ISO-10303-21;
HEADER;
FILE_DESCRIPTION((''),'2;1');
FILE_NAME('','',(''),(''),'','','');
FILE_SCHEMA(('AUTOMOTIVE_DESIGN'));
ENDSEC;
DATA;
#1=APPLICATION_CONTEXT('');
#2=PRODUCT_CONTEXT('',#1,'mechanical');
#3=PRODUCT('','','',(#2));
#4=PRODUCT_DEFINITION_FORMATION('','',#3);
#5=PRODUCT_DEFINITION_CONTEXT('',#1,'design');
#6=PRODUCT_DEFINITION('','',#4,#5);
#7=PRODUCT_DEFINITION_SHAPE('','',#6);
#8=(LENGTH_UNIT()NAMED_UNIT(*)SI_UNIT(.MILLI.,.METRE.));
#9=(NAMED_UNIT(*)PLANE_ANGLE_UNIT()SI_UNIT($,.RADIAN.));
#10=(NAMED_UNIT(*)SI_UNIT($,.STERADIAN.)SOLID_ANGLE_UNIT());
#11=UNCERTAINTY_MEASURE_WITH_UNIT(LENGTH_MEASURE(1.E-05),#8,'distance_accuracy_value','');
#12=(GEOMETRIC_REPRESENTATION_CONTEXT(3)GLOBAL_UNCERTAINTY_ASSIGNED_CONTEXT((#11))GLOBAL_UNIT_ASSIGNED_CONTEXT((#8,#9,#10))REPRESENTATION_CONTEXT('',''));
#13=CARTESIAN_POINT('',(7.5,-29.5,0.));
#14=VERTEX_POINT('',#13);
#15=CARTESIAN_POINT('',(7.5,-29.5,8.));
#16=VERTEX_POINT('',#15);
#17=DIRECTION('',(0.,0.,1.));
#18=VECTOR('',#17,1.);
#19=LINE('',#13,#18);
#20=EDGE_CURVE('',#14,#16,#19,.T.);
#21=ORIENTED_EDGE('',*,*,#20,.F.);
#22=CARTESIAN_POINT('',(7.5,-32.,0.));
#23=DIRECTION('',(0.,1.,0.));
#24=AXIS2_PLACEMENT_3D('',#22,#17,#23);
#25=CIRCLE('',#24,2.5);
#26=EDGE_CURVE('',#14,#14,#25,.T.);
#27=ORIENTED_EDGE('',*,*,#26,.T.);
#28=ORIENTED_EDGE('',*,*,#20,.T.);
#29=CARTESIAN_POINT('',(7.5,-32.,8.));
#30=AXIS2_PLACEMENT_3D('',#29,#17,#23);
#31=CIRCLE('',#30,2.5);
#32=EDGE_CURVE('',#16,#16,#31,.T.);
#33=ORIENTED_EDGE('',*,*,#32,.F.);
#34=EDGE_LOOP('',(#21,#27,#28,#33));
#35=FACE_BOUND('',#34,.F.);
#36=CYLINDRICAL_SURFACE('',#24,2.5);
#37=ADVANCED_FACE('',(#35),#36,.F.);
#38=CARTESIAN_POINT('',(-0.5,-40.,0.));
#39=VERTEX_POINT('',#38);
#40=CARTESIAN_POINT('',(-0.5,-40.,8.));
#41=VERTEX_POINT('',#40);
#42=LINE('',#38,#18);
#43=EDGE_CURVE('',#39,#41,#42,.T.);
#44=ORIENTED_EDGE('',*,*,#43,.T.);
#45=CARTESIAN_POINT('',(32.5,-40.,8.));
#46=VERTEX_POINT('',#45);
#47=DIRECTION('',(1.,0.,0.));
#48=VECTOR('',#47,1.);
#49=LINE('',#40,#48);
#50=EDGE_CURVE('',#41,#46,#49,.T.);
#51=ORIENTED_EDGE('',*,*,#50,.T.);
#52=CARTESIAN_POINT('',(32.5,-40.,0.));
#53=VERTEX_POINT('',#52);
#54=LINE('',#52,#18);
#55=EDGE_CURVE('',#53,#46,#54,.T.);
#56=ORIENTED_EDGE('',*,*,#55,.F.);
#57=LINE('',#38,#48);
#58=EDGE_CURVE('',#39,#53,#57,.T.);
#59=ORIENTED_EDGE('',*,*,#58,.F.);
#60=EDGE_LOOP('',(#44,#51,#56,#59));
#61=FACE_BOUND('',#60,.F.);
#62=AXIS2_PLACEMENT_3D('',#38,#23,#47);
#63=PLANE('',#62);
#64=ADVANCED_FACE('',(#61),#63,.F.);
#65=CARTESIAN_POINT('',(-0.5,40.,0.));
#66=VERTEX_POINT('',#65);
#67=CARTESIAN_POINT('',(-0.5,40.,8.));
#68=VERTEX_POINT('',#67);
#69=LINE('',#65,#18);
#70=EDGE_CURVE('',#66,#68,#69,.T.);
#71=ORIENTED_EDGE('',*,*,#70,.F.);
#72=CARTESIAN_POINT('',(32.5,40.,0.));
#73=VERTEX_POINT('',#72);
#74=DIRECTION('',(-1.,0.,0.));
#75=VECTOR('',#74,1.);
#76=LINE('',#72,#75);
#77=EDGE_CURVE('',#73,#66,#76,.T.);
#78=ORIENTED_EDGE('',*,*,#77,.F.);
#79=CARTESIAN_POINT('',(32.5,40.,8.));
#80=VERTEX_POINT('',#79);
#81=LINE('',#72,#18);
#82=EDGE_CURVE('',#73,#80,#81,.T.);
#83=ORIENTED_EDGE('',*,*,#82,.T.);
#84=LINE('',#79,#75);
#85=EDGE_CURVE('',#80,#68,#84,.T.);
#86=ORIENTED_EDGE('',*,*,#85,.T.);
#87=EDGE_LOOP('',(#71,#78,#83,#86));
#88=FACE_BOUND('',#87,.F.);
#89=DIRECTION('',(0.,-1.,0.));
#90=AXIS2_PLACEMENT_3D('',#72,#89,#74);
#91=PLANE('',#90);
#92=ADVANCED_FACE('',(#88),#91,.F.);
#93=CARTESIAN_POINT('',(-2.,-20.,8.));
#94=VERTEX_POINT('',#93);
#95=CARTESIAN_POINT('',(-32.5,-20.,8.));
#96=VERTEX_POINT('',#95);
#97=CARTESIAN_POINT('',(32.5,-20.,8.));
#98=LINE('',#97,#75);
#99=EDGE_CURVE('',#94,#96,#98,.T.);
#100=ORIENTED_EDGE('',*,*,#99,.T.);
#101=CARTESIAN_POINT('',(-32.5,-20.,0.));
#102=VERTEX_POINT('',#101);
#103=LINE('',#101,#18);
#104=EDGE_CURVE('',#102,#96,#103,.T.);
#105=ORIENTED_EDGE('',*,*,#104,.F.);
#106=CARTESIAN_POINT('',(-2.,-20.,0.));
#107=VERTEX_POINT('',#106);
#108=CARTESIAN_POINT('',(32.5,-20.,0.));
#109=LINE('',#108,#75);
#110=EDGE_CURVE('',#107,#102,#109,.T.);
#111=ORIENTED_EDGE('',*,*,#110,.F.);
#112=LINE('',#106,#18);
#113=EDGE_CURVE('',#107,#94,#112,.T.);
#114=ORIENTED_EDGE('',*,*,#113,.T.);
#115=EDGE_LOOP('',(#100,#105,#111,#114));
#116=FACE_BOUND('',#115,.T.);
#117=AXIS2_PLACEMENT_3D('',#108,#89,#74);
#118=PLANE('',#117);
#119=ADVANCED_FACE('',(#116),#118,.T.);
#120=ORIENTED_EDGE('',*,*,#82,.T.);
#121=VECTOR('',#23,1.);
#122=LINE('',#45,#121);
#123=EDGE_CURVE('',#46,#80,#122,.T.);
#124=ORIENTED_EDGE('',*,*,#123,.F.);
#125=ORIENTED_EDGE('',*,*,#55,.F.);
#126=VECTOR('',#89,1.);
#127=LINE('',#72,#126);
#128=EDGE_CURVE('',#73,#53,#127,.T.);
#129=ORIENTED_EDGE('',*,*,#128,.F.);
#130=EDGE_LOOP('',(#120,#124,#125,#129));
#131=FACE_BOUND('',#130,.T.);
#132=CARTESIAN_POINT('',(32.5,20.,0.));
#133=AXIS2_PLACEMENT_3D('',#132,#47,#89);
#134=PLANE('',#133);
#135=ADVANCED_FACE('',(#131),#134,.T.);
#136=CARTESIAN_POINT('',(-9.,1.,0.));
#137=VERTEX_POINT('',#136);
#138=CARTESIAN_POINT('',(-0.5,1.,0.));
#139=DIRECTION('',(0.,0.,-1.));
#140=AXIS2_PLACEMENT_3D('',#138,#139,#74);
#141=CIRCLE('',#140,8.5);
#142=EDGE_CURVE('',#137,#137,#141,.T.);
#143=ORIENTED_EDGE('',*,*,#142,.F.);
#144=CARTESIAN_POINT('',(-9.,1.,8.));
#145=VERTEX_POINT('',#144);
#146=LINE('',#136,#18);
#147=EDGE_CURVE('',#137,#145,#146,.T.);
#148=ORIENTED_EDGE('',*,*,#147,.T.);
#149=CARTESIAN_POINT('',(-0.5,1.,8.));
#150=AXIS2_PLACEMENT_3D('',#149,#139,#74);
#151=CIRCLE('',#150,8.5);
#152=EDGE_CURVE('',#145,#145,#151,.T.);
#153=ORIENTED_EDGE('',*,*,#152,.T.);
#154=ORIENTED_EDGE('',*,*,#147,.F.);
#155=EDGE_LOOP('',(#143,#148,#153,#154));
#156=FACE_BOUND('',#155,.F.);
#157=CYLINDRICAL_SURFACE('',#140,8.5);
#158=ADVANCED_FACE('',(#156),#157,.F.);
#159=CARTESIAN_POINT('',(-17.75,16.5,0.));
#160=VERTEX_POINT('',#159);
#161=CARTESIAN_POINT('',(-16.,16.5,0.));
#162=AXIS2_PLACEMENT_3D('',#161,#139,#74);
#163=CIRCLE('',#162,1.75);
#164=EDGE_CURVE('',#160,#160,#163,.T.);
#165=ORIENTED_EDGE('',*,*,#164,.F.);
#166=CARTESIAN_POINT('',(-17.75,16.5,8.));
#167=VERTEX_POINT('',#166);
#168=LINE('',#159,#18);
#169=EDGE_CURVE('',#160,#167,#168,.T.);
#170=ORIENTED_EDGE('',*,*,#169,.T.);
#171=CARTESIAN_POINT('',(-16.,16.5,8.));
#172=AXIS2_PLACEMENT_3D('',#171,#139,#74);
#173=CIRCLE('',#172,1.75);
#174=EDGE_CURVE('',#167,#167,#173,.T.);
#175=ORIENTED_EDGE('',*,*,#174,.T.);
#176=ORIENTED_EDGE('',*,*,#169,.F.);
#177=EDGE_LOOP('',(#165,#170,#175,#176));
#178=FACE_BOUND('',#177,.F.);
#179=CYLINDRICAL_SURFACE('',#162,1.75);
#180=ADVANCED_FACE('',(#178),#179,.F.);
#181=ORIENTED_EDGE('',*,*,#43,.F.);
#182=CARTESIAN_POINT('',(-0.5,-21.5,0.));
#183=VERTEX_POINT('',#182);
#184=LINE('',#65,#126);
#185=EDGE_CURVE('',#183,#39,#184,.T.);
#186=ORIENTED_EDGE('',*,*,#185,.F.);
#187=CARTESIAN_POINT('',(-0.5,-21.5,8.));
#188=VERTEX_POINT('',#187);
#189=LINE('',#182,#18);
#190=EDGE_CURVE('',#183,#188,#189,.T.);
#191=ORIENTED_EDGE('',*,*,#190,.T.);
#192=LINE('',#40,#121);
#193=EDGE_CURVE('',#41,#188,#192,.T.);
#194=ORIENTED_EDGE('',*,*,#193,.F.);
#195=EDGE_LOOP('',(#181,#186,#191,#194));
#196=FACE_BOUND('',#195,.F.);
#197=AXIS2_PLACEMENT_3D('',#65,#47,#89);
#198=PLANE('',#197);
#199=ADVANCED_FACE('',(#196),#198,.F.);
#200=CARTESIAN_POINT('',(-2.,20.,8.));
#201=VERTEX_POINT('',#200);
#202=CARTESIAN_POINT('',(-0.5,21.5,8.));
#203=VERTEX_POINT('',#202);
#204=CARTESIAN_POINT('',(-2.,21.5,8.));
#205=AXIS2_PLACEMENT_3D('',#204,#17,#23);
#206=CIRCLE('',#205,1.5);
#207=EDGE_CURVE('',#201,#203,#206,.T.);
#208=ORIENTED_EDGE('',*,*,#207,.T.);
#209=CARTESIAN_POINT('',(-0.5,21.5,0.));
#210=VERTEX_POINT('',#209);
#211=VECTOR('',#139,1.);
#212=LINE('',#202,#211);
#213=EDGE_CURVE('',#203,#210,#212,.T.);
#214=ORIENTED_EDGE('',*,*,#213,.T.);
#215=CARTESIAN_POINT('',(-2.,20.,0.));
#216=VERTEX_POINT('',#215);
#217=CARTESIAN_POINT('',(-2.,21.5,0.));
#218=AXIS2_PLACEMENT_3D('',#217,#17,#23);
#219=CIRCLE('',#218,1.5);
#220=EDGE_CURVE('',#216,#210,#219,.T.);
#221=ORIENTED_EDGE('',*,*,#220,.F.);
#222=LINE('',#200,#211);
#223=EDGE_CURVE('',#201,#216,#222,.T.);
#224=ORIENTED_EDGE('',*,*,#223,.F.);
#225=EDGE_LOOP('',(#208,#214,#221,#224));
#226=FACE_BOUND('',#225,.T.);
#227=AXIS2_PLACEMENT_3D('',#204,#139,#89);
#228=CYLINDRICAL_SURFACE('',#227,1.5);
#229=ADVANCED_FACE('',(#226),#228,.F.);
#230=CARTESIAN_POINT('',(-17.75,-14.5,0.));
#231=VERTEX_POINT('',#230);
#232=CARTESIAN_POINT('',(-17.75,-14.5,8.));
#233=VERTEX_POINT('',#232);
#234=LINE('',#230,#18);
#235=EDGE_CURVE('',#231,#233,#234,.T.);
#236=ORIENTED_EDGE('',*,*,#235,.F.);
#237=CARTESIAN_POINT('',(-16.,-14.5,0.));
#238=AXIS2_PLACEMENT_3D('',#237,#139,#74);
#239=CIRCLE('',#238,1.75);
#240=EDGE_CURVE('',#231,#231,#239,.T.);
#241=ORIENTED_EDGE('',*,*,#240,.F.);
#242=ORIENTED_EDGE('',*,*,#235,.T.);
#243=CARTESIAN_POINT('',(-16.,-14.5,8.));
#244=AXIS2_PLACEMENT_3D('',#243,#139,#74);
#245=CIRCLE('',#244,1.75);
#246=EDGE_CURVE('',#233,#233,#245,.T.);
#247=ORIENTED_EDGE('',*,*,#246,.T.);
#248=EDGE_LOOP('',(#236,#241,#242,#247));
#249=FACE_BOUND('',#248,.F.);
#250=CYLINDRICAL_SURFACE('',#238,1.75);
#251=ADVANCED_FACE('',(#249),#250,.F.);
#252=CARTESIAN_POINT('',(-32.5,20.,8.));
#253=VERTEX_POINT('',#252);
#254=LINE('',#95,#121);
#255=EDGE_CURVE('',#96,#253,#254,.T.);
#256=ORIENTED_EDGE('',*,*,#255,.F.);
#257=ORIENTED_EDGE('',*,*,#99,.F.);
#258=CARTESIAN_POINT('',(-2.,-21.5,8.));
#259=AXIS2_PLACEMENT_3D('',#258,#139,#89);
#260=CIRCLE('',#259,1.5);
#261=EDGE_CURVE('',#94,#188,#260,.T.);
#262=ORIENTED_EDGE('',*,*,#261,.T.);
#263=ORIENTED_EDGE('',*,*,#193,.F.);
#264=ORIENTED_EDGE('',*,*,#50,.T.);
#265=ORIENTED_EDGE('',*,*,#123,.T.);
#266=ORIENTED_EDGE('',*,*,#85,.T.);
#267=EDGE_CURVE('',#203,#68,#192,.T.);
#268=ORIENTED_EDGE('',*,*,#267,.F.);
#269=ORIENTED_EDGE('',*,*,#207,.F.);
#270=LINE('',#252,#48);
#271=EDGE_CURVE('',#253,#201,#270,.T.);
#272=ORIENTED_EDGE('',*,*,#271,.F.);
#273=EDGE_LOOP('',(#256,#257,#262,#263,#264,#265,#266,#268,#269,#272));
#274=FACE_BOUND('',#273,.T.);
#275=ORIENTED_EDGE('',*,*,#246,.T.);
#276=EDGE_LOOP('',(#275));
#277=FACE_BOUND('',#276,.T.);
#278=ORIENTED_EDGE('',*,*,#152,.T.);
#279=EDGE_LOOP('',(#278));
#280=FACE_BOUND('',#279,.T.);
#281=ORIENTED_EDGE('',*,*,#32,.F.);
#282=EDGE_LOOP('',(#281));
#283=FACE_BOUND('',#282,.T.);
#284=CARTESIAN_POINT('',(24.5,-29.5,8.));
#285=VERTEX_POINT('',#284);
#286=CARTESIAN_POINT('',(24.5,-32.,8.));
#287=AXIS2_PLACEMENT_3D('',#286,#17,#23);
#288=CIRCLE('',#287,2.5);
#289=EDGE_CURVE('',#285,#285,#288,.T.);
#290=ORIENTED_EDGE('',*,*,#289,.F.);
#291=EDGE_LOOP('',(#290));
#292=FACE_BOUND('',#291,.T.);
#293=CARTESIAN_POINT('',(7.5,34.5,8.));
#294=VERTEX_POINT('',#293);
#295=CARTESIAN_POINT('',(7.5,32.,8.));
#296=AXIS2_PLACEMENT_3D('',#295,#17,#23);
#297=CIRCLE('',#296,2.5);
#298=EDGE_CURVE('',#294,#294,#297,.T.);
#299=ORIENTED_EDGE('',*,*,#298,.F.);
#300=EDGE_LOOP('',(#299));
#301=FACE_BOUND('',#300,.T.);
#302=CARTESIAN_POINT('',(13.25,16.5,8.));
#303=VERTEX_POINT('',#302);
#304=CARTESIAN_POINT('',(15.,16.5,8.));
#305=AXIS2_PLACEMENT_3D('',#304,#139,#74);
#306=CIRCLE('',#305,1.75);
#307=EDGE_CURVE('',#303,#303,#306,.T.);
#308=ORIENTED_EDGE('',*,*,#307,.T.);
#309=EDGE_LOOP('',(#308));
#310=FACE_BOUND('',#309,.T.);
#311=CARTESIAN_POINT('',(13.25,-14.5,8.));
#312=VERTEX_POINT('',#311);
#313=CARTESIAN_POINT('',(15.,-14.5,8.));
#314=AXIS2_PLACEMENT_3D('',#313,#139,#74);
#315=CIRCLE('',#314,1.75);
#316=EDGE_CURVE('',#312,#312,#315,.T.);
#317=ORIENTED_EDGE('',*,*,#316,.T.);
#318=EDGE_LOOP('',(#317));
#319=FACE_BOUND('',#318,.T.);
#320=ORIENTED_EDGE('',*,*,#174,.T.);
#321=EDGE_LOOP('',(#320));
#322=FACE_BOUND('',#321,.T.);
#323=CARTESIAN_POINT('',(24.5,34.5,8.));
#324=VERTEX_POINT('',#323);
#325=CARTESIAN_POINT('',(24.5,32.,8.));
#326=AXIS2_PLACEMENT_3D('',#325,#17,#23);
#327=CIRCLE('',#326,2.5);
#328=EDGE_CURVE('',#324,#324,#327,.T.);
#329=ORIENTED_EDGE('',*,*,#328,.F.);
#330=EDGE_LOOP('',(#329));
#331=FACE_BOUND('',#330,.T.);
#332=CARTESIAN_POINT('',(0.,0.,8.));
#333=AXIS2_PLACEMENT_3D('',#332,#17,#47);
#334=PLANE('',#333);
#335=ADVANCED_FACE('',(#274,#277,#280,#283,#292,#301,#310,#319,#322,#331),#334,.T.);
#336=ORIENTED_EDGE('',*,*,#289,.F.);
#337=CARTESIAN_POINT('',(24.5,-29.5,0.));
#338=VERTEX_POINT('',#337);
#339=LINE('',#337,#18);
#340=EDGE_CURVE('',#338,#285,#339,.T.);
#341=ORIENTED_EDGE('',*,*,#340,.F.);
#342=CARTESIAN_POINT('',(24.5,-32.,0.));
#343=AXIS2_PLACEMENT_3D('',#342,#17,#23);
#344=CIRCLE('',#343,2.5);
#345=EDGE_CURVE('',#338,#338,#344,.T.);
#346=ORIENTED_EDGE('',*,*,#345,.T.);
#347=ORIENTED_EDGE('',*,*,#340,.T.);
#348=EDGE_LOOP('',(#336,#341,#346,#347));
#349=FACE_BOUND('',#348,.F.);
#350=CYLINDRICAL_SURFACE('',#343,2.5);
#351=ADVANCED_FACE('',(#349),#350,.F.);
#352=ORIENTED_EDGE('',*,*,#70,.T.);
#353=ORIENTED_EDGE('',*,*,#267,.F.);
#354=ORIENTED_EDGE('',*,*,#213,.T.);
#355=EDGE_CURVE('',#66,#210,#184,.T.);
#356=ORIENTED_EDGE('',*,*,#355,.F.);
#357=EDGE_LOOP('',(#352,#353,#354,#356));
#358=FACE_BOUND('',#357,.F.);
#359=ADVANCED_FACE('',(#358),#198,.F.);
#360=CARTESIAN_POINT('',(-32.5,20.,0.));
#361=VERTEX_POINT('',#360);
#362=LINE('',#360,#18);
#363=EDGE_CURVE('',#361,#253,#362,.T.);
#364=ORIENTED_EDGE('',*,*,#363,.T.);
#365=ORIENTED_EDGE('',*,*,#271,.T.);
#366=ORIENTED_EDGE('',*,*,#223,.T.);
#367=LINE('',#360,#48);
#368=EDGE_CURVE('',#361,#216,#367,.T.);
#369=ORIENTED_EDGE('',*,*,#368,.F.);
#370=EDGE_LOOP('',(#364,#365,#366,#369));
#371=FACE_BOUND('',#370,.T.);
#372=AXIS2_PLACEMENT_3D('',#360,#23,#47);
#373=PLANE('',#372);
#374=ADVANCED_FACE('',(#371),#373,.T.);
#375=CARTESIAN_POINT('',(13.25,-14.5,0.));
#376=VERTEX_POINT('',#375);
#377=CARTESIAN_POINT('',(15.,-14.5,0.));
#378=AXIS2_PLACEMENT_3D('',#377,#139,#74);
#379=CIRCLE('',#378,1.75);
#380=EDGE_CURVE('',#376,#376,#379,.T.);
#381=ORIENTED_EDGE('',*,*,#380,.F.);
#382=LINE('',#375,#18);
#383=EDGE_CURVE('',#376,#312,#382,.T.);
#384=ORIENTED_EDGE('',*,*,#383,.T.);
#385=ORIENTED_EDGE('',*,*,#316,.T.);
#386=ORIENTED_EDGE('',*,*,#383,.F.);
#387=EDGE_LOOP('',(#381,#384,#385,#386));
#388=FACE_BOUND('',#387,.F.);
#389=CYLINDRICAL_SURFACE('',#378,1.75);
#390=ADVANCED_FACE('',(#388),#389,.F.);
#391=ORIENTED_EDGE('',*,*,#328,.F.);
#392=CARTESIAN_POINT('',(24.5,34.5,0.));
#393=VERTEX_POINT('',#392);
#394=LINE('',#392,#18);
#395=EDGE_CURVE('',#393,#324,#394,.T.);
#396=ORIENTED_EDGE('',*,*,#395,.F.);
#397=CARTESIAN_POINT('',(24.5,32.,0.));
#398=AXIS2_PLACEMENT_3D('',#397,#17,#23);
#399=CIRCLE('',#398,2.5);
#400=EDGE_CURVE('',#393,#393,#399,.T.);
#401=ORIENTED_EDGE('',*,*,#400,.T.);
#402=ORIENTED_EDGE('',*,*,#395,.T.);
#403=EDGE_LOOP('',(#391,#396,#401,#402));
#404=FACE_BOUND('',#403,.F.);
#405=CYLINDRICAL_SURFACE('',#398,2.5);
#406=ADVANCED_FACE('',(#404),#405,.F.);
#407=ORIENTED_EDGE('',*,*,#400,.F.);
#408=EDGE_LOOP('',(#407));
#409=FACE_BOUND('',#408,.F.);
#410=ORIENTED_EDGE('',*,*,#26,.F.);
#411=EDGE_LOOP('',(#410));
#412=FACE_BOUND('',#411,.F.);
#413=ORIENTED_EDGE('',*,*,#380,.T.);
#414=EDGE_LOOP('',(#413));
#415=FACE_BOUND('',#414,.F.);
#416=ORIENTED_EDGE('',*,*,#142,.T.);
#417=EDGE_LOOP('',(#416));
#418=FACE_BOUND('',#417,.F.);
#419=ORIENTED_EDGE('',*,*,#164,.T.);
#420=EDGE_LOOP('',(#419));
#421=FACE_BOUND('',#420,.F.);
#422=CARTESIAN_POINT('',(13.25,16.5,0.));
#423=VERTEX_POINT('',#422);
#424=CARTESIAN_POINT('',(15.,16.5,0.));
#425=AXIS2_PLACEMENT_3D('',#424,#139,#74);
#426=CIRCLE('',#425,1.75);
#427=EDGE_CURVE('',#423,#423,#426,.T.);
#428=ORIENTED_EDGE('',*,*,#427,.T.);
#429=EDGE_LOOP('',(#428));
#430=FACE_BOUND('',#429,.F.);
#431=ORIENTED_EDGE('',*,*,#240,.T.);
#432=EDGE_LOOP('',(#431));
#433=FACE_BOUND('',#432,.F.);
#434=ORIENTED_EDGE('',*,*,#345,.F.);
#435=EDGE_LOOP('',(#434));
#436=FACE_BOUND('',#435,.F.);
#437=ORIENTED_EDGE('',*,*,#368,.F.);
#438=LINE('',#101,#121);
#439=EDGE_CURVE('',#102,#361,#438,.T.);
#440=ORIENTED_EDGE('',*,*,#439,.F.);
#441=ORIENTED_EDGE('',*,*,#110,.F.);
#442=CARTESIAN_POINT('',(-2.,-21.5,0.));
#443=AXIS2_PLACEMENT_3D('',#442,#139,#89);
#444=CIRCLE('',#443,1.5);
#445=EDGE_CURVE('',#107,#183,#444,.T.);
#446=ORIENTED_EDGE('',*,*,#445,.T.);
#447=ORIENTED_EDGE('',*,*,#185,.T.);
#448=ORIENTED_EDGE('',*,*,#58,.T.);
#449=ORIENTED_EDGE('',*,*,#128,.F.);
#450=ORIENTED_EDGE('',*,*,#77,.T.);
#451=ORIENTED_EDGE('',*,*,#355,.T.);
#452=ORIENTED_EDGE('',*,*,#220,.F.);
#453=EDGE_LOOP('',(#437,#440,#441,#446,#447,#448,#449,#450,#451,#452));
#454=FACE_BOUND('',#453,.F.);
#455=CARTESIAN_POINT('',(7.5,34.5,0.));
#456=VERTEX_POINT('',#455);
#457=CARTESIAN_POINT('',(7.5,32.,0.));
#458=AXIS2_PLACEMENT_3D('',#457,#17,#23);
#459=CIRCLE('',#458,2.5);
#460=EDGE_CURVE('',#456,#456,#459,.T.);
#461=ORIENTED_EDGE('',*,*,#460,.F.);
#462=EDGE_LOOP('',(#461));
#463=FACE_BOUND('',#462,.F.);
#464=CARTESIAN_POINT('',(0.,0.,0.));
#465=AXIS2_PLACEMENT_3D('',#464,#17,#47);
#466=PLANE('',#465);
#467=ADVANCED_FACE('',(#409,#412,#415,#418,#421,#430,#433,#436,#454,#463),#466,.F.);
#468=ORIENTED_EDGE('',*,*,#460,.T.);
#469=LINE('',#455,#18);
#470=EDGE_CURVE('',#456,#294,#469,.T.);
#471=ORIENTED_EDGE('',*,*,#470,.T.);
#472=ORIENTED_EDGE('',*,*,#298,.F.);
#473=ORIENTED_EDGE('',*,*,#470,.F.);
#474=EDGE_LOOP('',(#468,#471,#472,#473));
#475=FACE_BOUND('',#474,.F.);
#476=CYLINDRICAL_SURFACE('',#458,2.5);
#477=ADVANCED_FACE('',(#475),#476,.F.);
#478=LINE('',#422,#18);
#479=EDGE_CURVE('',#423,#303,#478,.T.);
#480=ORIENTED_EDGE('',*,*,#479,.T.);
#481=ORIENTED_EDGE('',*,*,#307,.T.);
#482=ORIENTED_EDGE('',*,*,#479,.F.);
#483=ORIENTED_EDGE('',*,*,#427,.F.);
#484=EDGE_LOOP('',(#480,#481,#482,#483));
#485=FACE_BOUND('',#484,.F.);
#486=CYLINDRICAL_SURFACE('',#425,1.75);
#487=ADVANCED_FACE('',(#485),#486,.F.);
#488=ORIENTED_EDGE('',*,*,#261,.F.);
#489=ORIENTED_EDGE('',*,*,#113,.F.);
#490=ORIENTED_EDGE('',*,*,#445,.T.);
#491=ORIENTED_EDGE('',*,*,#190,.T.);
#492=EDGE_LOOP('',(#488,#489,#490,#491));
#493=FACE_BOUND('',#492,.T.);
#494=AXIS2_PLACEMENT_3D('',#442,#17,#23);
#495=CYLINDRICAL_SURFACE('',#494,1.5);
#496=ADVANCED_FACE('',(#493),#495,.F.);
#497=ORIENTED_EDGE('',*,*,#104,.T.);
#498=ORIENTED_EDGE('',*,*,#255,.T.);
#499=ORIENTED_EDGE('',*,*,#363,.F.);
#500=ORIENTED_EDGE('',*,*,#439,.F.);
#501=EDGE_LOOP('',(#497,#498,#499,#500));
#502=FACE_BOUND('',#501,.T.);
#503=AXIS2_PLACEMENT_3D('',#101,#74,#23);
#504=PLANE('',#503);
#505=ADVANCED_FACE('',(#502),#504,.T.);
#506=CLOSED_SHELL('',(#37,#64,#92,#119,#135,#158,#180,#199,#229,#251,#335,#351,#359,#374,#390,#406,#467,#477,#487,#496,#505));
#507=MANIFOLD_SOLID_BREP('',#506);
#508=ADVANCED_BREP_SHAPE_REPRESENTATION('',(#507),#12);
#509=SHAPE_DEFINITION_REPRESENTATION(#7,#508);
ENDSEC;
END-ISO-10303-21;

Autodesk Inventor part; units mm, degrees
ref_plane "YZ Plane" through (0, 0, 0) normal (1, 0, 0) x (0, 1, 0)
ref_plane "XZ Plane" through (0, 0, 0) normal (0, 1, 0) x (-1, 0, 0)
ref_plane "XY Plane" through (0, 0, 0) normal (0, 0, 1) x (1, 0, 0)
sketch "Sketch1" plane through (0, 0, 0) normal (0, 0, 1) x (1, 0, 0)
  line L0 (-32.5, 20) -> (32.5, 20)
  line L1 (32.5, 20) -> (32.5, -20)
  line L2 (32.5, -20) -> (-32.5, -20)
  line L3 (-32.5, -20) -> (-32.5, 20)
  point P0 (0, 0)
  point P1 (0, 20)
  point P2 (-32.5, 0)
  dimension "d0" = 65
  dimension "d1" = 40
extrude "Extrusion1" add sketch "Sketch1" along normal blind 8
sketch "Sketch5" plane through (0, 0, 0) normal (0, 0, -1) x (-1, 0, 0)
  line L0 (-32.5, 40) -> (0.5, 40)
  line L1 (0.5, 40) -> (0.5, -40)
  line L2 (0.5, -40) -> (-32.5, -40)
  line L3 (-32.5, -40) -> (-32.5, 40)
  line L4 (-32.5, -20) -> (-32.5, 20) projected
  line L5 (-32.5, 20) -> (32.5, 20) projected
  line L6 (32.5, -20) -> (-32.5, -20) projected
  point P0 (0, 0)
  dimension "d22" = 20
  dimension "d23" = 20
  dimension "d24" = 33
extrude "Extrusion5" add sketch "Sketch5" against normal up to surface (8 mm away)
sketch "Sketch6" plane through (0, 0, 0) normal (0, 0, -1) x (-1, 0, 0)
  line L0 (0.5, 40) -> (-32.5, 40) projected
  line L1 (-32.5, 40) -> (-32.5, -40) projected
  line L2 (-15, 16.5) -> (16, 16.5) construction
  line L3 (16, 16.5) -> (16, -14.5) construction
  line L4 (16, -14.5) -> (-15, -14.5) construction
  line L5 (-15, -14.5) -> (-15, 16.5) construction
  line L6 (-15, 16.5) -> (16, -14.5) construction
  line L7 (16, 16.5) -> (-15, -14.5) construction
  circle A0 centre (-15, 16.5) radius 1.75
  circle A1 centre (16, 16.5) radius 1.75
  circle A2 centre (16, -14.5) radius 1.75
  circle A3 centre (-15, -14.5) radius 1.75
  circle A4 centre (0.5, 1) radius 8.5
  dimension "d29" = 31
  dimension "d30" = 33
  dimension "d31" = 39
  dimension "d32" = 3.5
  dimension "d33" = 17
extrude "Extrusion6" cut sketch "Sketch6" against normal blind 10
sketch "Sketch7" plane through (0, 0, 0) normal (0, 0, -1) x (-1, 0, 0)
  line L0 (-32.5, 40) -> (-32.5, -40) projected
  line L1 (0.5, 40) -> (-32.5, 40) projected
  line L2 (0.5, 20) -> (0.5, 40) projected
  line L3 (-32.5, -40) -> (0.5, -40) projected
  point P0 (0, 0)
  point P1 (-24.5, 32)
  point P2 (-7.5, 32)
  point P3 (-24.5, -32)
  point P4 (-7.5, -32)
  dimension "d36" = 8
  dimension "d37" = 8
  dimension "d38" = 8
  dimension "d39" = 17
  dimension "d40" = 8
  dimension "d41" = 64
hole "Hole1" at (24.5, 32, 0) direction (0, 0, 1) diameter 5 end through all
pattern_linear "Rectangular Pattern1" count 2 spacing 64 along (0, -1, 0) count 2 spacing 17 along (-1, 0, 0) of "Hole1"
fillet "Fillet1" radius 1.5 2 edges at (-0.5, -20, 4) (-0.5, 20, 4)
equation "\"d23\" = d22"
equation "\"d38\" = d36"
equation "\"d40\" = d37"
properties part number "0005-10-023 Suport motor x" material "Wood (Maple)"
